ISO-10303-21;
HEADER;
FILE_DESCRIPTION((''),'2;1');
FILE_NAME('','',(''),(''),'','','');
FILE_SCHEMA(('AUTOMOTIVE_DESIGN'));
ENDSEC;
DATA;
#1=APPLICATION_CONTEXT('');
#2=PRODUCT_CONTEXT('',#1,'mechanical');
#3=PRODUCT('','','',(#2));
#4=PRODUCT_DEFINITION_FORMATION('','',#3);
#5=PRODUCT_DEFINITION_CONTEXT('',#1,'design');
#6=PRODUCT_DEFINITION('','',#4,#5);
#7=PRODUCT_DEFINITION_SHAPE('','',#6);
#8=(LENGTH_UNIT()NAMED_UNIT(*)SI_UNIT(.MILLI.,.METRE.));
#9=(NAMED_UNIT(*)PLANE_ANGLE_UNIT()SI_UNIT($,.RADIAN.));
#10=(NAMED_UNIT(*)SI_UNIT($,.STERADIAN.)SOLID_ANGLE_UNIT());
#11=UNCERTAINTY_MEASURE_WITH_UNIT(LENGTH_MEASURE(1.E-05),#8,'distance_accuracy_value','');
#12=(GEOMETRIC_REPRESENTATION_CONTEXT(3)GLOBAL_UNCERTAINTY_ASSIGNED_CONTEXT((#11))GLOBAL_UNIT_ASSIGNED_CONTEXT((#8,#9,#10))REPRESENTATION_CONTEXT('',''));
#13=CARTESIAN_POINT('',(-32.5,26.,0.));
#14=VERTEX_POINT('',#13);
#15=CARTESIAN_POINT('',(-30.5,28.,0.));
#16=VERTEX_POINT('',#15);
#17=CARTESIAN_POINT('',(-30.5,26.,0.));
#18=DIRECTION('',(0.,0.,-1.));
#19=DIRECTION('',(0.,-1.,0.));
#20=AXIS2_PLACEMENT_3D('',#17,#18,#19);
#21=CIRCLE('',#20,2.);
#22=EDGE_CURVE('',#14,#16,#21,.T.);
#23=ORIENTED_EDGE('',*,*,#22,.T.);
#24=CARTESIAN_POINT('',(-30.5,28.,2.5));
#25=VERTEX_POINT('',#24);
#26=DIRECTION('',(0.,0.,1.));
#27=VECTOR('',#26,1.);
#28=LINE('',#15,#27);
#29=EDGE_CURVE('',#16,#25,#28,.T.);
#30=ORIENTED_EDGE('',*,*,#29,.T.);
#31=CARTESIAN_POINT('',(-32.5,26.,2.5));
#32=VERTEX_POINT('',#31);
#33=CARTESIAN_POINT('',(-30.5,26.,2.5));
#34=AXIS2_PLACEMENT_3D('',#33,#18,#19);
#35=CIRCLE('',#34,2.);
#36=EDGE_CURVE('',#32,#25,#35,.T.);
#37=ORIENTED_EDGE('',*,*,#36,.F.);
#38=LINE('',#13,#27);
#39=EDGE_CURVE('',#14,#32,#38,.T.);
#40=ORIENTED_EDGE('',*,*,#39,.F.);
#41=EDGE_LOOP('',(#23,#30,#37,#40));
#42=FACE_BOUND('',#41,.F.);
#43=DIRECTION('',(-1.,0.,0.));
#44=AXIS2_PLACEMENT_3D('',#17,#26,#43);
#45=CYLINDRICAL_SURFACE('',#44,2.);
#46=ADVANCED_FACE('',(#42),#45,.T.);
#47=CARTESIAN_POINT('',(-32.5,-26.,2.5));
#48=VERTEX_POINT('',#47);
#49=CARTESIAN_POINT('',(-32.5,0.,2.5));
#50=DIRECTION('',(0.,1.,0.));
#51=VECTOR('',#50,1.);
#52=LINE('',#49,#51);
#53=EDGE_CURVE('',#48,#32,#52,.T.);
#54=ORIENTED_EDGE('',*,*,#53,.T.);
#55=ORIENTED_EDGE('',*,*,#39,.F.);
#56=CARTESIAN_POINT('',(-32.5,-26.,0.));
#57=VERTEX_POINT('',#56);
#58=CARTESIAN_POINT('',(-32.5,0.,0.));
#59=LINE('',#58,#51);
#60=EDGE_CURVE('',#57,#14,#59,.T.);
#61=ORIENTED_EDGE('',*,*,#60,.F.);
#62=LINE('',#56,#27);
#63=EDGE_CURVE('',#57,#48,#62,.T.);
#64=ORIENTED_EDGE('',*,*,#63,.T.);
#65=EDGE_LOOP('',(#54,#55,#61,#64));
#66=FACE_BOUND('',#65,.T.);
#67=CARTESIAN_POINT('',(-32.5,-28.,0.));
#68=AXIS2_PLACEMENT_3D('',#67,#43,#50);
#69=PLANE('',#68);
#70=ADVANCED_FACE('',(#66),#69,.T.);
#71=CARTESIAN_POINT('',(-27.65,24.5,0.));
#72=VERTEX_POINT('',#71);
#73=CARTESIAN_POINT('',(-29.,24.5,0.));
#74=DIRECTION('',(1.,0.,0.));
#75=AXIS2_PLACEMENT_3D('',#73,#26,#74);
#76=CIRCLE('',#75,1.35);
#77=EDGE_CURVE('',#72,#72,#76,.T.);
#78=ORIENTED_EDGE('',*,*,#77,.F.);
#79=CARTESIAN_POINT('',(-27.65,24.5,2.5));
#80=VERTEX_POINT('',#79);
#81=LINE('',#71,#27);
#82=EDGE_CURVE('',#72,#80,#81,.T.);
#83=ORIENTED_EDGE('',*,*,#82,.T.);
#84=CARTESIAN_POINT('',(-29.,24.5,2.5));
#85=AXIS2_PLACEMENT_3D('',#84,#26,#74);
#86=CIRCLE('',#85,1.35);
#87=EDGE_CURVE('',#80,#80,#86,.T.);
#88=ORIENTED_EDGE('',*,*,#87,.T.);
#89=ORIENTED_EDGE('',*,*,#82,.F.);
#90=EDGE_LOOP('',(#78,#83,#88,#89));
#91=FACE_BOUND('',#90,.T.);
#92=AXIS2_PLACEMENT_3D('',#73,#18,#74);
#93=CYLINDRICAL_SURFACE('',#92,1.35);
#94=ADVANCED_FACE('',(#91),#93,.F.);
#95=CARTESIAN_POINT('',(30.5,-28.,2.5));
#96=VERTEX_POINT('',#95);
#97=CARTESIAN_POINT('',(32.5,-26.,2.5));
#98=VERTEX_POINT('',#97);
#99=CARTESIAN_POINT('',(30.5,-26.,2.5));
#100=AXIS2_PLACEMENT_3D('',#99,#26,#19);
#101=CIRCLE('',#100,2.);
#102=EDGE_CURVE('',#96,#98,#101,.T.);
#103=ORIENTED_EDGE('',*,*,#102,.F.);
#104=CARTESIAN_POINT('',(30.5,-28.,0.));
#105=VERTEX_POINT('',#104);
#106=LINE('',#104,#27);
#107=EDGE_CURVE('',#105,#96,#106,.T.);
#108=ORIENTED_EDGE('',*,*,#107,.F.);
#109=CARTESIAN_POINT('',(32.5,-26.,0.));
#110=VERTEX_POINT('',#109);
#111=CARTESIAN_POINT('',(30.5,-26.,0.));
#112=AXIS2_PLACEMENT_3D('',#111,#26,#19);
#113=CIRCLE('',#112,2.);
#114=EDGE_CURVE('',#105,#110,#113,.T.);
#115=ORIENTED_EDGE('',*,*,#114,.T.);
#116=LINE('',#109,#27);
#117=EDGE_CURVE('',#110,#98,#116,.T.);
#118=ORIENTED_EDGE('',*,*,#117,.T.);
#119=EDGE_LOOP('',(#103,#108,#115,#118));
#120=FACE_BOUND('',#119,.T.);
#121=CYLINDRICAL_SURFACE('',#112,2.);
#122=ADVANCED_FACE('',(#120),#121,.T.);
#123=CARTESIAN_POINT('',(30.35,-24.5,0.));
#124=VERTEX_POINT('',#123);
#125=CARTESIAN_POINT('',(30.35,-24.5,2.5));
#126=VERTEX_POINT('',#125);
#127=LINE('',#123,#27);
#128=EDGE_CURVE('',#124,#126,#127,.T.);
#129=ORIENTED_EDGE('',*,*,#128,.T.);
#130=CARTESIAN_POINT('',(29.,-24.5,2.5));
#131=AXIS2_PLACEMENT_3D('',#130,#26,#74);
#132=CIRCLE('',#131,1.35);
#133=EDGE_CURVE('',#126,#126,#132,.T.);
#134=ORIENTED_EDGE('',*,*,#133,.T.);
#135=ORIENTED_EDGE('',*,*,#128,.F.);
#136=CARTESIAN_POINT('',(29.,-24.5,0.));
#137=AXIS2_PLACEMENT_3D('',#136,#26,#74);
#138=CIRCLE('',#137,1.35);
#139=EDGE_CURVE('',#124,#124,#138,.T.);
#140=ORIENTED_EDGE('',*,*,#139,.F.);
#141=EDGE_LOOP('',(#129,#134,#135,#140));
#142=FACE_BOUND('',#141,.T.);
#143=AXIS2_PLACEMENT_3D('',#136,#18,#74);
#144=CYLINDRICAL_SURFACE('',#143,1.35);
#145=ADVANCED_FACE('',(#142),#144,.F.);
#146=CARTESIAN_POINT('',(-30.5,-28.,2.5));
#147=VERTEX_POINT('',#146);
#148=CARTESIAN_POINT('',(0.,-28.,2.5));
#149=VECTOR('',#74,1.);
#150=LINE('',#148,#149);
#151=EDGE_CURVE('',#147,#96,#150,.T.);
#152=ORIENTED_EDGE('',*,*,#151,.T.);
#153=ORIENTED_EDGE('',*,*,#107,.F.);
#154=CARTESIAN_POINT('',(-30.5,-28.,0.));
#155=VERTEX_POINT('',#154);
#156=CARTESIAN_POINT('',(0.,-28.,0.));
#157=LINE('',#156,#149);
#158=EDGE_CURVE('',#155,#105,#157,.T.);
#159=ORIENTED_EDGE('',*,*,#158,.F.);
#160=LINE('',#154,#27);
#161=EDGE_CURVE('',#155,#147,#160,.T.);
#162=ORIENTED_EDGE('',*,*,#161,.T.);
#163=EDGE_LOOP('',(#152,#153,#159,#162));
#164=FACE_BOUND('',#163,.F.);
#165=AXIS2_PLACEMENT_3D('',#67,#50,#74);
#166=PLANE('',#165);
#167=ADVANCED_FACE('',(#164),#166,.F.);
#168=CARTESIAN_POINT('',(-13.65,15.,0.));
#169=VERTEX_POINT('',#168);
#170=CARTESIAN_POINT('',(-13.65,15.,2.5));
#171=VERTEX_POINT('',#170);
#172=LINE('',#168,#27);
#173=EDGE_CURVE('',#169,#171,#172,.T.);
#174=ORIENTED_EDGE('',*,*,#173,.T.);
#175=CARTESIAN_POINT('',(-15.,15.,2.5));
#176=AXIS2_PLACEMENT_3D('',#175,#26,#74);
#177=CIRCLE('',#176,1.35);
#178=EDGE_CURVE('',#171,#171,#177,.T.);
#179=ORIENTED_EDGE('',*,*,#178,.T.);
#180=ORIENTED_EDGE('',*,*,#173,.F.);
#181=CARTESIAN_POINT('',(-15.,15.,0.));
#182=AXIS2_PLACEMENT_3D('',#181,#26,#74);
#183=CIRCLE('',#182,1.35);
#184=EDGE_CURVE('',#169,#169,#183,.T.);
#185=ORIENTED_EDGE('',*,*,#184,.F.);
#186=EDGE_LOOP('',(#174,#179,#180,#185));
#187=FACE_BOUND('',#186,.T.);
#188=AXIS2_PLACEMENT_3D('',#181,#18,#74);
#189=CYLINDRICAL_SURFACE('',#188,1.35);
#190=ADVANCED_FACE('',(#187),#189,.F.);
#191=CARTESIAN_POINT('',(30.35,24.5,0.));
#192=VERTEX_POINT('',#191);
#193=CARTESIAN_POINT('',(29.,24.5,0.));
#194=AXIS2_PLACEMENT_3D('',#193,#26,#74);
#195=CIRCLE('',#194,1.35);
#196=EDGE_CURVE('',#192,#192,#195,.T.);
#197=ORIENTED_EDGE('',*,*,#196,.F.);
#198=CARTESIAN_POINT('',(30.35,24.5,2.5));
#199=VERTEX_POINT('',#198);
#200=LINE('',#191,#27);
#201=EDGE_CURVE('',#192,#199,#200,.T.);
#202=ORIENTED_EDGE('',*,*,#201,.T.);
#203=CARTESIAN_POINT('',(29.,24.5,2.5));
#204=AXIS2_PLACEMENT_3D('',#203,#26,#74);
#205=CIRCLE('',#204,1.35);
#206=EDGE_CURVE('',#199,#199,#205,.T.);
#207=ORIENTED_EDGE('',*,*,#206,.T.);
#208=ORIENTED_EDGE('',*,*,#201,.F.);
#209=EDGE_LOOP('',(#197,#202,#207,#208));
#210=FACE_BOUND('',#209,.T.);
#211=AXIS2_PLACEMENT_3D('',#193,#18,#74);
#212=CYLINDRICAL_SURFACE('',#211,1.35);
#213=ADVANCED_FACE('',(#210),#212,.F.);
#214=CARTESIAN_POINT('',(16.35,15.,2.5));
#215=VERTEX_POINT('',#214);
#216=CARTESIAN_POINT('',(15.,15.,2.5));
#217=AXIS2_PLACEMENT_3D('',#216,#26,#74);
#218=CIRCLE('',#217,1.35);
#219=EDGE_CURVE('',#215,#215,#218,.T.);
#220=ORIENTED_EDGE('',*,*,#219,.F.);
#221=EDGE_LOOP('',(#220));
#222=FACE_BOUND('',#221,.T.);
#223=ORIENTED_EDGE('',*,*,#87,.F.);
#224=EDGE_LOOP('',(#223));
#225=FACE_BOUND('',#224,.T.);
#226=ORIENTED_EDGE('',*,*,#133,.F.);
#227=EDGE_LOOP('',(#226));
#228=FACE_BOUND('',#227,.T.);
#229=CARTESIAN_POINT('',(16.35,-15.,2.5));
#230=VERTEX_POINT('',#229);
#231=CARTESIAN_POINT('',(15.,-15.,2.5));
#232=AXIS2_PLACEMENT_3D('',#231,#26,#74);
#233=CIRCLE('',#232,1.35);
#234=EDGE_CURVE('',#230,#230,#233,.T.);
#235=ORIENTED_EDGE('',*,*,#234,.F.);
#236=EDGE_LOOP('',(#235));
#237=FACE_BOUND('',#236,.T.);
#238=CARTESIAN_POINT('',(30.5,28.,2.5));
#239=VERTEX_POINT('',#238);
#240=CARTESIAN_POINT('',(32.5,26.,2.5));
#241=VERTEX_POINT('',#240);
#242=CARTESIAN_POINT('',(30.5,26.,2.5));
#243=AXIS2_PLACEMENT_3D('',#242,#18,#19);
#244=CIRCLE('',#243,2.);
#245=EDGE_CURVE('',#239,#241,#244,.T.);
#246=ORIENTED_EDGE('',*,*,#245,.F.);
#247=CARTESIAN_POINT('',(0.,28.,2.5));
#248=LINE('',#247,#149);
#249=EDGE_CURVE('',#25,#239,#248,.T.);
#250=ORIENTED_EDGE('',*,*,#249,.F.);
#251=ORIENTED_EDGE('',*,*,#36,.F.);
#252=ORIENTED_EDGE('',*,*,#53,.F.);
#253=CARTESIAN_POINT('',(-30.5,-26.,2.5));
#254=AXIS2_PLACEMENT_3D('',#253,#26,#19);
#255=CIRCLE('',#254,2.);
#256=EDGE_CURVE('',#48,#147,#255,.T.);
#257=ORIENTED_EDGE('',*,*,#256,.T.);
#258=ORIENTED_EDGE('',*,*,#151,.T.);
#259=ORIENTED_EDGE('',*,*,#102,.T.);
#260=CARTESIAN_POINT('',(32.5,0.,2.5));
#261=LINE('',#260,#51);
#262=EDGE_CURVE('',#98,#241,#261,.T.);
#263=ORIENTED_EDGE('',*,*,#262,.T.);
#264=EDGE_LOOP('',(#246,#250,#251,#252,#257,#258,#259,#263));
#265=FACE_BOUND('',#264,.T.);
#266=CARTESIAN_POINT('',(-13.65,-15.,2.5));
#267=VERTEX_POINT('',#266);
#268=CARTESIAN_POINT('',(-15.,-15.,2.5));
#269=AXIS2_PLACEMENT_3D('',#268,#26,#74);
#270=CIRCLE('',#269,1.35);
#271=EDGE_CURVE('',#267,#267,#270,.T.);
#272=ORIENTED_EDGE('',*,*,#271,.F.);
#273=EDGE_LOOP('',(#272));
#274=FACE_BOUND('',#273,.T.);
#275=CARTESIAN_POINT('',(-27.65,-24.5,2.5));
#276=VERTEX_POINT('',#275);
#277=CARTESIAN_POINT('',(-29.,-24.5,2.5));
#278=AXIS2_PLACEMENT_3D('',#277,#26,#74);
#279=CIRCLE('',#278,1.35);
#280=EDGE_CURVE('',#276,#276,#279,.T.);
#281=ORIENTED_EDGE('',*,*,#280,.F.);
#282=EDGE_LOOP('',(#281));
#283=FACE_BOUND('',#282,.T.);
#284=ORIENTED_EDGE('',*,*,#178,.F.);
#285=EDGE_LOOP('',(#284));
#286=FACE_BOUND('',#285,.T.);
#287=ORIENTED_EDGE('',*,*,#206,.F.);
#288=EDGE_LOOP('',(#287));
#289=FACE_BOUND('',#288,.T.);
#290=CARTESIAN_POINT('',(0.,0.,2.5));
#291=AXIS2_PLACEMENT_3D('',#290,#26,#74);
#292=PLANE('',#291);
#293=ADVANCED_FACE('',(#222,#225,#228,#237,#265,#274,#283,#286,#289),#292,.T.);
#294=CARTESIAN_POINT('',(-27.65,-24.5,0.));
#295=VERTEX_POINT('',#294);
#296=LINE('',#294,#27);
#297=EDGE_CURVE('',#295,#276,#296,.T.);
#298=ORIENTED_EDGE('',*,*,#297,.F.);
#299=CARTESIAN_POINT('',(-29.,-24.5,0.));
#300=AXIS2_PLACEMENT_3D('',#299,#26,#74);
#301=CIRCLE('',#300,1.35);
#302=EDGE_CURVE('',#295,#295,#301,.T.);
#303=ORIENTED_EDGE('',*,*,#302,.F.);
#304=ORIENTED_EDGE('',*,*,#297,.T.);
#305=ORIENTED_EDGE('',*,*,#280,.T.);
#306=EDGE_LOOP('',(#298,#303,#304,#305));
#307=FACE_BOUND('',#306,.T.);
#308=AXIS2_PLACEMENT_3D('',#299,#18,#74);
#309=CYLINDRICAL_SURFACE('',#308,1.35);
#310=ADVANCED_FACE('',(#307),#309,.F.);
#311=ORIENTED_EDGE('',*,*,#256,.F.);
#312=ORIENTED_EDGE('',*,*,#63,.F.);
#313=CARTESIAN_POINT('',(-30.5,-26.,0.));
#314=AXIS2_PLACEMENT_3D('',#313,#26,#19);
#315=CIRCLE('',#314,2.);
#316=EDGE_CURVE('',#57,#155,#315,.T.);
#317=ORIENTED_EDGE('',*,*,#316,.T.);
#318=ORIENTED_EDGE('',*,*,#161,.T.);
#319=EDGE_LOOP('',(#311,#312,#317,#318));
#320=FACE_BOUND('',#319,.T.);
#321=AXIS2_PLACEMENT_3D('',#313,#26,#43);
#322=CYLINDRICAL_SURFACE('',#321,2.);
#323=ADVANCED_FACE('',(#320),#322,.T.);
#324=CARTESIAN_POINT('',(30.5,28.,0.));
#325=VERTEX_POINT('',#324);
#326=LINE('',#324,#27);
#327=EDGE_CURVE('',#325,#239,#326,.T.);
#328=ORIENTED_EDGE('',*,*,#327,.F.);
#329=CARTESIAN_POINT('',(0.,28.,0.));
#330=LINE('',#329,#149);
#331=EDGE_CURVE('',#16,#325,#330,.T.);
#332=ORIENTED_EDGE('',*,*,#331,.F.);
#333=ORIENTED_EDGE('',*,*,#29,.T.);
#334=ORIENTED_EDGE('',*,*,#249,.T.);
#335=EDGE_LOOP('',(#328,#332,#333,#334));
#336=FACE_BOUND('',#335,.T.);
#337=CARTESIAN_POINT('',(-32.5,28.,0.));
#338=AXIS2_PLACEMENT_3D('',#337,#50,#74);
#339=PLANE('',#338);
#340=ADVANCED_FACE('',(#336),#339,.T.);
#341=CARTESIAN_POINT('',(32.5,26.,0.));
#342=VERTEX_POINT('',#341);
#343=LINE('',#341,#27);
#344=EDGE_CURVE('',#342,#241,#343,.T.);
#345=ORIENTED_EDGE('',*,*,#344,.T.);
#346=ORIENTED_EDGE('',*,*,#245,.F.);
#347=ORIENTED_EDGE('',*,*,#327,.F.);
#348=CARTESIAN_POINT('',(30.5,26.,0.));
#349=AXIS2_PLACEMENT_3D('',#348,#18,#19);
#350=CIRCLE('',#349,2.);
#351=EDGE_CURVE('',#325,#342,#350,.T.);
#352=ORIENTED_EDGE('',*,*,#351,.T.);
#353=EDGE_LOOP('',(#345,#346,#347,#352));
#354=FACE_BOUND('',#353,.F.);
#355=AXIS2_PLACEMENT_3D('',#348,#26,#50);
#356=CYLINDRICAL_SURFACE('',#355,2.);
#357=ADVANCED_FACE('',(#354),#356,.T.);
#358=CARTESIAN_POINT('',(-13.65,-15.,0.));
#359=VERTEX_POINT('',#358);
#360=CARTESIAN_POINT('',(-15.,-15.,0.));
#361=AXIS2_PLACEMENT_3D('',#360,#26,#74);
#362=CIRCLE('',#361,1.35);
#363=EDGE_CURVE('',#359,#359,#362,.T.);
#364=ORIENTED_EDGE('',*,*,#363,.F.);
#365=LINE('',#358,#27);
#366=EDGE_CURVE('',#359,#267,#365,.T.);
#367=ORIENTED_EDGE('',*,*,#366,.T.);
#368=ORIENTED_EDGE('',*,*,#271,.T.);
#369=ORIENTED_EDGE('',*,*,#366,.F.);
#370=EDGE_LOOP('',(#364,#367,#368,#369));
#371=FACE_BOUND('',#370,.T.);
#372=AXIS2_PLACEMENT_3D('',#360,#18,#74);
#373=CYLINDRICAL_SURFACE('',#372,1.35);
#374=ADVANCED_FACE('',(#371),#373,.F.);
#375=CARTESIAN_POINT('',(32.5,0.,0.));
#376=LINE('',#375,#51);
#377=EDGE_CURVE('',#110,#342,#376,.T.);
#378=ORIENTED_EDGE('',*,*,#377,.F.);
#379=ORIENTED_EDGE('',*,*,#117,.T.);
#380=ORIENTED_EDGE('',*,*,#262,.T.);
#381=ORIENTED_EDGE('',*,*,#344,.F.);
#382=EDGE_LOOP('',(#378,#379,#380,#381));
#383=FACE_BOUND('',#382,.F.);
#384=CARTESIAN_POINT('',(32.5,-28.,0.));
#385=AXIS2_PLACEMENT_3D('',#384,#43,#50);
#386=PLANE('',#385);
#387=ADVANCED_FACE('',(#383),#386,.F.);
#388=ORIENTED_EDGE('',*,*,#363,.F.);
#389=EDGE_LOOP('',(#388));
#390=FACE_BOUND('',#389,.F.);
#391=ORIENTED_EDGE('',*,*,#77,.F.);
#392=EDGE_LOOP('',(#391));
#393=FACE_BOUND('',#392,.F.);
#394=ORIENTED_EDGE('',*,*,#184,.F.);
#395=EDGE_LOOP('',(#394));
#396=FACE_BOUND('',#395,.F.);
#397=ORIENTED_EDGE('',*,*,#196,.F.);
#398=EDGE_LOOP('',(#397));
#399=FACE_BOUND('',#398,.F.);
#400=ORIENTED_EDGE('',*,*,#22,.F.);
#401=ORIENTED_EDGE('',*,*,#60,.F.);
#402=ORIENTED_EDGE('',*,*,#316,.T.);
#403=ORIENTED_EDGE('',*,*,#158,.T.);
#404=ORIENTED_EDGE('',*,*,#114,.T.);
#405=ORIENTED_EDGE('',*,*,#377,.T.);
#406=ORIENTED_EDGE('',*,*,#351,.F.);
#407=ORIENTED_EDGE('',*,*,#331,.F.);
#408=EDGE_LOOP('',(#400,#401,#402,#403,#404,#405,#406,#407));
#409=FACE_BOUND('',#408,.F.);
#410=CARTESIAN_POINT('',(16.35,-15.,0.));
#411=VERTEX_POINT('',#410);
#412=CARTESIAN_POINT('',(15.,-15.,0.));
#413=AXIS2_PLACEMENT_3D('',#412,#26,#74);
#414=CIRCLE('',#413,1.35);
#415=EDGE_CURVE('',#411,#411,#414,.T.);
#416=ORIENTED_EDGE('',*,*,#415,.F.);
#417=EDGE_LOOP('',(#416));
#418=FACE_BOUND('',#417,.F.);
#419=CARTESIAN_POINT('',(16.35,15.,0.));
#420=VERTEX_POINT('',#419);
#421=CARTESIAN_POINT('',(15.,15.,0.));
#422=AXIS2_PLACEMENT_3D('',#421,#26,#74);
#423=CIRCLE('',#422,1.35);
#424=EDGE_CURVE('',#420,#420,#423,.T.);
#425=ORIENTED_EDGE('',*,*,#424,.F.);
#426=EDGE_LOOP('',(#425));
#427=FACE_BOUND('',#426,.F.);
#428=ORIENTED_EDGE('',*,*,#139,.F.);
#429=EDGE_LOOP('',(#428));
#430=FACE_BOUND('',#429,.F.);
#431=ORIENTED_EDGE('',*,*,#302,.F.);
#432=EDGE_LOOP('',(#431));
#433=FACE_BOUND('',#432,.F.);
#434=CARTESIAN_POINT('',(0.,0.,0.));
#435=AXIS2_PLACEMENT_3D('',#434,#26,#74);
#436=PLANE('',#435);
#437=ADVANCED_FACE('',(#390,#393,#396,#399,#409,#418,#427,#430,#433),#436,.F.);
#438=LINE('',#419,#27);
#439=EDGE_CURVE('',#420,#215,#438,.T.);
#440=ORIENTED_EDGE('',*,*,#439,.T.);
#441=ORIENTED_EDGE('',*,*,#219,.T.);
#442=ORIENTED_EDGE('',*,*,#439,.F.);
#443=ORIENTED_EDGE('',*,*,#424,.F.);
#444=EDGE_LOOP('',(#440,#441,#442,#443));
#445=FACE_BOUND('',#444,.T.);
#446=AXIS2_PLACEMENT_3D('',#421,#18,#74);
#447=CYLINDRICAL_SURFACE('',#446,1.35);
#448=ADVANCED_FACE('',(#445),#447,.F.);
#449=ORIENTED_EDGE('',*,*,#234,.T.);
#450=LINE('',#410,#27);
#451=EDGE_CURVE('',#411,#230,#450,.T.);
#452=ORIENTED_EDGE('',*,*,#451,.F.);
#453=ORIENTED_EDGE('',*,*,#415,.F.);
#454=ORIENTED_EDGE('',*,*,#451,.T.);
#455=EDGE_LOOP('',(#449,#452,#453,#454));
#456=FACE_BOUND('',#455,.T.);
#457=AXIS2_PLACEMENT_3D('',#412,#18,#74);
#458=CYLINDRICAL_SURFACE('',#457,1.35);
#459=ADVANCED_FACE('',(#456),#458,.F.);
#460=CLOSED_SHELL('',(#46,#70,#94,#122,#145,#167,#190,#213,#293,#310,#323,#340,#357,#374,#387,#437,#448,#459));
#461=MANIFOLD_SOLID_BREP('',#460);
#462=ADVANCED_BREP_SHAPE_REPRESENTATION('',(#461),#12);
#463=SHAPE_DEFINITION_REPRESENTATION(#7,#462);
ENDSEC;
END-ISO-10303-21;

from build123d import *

# Parameters (mm, degrees)
SKETCH_W  = 65
SKETCH_H  = 56
SKETCH_R  = 1.35
PAD_DEPTH = 2.5
FILLET_R  = 2


with BuildPart() as part:
    # Sketch → Pad (new body)
    with BuildSketch(Plane.XY):
        Rectangle(SKETCH_W, SKETCH_H)
        with Locations((15, 15)):
            Circle(SKETCH_R, mode=Mode.SUBTRACT)
        with Locations((15, -15)):
            Circle(SKETCH_R, mode=Mode.SUBTRACT)
        with Locations((-15, -15)):
            Circle(SKETCH_R, mode=Mode.SUBTRACT)
        with Locations((-15, 15)):
            Circle(SKETCH_R, mode=Mode.SUBTRACT)
        with Locations((-29, 24.5)):
            Circle(SKETCH_R, mode=Mode.SUBTRACT)
        with Locations((29, 24.5)):
            Circle(SKETCH_R, mode=Mode.SUBTRACT)
        with Locations((29, -24.5)):
            Circle(SKETCH_R, mode=Mode.SUBTRACT)
        with Locations((-29, -24.5)):
            Circle(SKETCH_R, mode=Mode.SUBTRACT)
    extrude(amount=PAD_DEPTH)

    # Fillet
    fillet_edges = [part.edges().sort_by_distance(p)[0] for p in [
        (-32.5, -28, 1.25),
        (-32.5, 28, 1.25),
        (32.5, -28, 1.25),
        (32.5, 28, 1.25),
    ]]
    fillet(fillet_edges, radius=FILLET_R)


solid = part.part
